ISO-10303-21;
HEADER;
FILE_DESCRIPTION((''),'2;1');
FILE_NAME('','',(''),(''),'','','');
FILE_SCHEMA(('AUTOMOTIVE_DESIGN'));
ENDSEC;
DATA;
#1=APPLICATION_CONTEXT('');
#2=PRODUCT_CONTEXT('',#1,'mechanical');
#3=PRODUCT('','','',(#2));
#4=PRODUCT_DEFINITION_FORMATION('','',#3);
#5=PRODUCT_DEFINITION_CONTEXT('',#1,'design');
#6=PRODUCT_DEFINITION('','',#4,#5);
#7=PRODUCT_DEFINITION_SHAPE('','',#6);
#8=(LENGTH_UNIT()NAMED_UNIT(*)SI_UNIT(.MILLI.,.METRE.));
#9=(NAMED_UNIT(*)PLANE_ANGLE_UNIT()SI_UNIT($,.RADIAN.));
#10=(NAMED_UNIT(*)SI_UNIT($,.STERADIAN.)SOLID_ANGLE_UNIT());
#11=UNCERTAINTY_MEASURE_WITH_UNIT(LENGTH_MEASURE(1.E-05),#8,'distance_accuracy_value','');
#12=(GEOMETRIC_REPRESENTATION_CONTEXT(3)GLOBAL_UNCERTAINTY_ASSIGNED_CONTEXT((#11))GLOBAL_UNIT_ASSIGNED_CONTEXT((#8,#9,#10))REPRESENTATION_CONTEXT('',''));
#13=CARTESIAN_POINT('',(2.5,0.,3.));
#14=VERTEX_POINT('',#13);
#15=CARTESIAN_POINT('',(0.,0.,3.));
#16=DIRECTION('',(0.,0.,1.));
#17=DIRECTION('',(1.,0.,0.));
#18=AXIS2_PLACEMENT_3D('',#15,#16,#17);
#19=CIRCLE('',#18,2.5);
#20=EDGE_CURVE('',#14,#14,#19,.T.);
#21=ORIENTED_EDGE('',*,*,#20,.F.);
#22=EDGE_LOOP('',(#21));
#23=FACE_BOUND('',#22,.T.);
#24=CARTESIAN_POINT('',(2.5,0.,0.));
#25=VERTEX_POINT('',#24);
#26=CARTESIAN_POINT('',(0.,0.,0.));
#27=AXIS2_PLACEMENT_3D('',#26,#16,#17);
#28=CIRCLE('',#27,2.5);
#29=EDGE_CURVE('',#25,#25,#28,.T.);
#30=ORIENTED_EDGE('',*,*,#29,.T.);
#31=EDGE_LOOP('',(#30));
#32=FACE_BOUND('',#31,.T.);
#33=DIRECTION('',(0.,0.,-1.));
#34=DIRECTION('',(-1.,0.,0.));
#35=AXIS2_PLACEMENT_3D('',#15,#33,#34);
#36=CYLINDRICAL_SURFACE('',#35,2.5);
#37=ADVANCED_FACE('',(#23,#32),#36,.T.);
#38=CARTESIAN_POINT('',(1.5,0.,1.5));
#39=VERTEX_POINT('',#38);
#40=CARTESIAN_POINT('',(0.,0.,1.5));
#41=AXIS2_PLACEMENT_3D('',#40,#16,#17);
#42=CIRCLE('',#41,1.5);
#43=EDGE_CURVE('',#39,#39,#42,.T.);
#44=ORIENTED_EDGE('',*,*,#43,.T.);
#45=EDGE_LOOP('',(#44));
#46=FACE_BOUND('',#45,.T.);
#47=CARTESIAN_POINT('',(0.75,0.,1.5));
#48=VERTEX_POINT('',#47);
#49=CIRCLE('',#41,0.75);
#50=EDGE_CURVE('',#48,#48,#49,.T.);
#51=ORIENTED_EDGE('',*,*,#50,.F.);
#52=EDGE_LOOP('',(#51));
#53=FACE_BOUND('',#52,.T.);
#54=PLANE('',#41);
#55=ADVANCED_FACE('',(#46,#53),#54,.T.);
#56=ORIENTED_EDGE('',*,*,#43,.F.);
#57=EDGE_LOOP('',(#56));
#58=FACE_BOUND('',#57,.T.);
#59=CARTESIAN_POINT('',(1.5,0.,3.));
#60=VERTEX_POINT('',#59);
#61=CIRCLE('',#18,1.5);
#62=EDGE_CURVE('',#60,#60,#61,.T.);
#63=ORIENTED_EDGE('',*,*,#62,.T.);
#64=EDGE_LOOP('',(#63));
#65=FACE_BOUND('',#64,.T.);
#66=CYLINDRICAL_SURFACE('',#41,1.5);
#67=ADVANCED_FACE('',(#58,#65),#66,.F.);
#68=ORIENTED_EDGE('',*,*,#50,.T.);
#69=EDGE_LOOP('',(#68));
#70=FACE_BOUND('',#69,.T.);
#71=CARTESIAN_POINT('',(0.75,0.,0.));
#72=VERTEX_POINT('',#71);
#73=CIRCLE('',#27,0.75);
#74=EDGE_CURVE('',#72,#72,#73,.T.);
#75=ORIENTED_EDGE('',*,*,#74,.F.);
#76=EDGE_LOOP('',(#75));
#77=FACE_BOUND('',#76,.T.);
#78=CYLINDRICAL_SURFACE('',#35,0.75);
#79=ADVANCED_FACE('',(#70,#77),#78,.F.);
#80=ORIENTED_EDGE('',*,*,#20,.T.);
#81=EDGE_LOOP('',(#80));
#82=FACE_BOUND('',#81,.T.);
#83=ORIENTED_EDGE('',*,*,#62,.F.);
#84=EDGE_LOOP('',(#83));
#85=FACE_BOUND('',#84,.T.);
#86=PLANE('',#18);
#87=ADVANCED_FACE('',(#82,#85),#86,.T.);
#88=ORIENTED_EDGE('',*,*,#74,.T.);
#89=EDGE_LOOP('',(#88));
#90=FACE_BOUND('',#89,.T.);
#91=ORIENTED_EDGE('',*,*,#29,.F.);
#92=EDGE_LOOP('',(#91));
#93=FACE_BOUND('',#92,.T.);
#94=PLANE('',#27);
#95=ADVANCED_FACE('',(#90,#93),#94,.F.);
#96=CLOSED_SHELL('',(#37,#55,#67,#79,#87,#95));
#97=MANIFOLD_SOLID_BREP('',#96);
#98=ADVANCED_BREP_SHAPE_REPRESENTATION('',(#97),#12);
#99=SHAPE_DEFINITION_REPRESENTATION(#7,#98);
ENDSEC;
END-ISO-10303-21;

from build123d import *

# Parameters (mm, degrees)
SKETCH_1_R          = 2.5
SKETCH_1_R_2        = 0.75
EXTRUDE_1_DEPTH     = 3
SKETCH_2_R          = 1.5
CUT_EXTRUDE_1_DEPTH = 1.5


with BuildPart() as part:
    # 草图1 → 凸台-拉伸1 (new body)
    with BuildSketch(Plane.XY):
        Circle(SKETCH_1_R)
        Circle(SKETCH_1_R_2, mode=Mode.SUBTRACT)
    extrude(amount=EXTRUDE_1_DEPTH)

    # 草图2 → 切除-拉伸1 (cut)
    with BuildSketch(Plane.XY.offset(3)):
        Circle(SKETCH_2_R)
    extrude(amount=-CUT_EXTRUDE_1_DEPTH, mode=Mode.SUBTRACT)


solid = part.part
